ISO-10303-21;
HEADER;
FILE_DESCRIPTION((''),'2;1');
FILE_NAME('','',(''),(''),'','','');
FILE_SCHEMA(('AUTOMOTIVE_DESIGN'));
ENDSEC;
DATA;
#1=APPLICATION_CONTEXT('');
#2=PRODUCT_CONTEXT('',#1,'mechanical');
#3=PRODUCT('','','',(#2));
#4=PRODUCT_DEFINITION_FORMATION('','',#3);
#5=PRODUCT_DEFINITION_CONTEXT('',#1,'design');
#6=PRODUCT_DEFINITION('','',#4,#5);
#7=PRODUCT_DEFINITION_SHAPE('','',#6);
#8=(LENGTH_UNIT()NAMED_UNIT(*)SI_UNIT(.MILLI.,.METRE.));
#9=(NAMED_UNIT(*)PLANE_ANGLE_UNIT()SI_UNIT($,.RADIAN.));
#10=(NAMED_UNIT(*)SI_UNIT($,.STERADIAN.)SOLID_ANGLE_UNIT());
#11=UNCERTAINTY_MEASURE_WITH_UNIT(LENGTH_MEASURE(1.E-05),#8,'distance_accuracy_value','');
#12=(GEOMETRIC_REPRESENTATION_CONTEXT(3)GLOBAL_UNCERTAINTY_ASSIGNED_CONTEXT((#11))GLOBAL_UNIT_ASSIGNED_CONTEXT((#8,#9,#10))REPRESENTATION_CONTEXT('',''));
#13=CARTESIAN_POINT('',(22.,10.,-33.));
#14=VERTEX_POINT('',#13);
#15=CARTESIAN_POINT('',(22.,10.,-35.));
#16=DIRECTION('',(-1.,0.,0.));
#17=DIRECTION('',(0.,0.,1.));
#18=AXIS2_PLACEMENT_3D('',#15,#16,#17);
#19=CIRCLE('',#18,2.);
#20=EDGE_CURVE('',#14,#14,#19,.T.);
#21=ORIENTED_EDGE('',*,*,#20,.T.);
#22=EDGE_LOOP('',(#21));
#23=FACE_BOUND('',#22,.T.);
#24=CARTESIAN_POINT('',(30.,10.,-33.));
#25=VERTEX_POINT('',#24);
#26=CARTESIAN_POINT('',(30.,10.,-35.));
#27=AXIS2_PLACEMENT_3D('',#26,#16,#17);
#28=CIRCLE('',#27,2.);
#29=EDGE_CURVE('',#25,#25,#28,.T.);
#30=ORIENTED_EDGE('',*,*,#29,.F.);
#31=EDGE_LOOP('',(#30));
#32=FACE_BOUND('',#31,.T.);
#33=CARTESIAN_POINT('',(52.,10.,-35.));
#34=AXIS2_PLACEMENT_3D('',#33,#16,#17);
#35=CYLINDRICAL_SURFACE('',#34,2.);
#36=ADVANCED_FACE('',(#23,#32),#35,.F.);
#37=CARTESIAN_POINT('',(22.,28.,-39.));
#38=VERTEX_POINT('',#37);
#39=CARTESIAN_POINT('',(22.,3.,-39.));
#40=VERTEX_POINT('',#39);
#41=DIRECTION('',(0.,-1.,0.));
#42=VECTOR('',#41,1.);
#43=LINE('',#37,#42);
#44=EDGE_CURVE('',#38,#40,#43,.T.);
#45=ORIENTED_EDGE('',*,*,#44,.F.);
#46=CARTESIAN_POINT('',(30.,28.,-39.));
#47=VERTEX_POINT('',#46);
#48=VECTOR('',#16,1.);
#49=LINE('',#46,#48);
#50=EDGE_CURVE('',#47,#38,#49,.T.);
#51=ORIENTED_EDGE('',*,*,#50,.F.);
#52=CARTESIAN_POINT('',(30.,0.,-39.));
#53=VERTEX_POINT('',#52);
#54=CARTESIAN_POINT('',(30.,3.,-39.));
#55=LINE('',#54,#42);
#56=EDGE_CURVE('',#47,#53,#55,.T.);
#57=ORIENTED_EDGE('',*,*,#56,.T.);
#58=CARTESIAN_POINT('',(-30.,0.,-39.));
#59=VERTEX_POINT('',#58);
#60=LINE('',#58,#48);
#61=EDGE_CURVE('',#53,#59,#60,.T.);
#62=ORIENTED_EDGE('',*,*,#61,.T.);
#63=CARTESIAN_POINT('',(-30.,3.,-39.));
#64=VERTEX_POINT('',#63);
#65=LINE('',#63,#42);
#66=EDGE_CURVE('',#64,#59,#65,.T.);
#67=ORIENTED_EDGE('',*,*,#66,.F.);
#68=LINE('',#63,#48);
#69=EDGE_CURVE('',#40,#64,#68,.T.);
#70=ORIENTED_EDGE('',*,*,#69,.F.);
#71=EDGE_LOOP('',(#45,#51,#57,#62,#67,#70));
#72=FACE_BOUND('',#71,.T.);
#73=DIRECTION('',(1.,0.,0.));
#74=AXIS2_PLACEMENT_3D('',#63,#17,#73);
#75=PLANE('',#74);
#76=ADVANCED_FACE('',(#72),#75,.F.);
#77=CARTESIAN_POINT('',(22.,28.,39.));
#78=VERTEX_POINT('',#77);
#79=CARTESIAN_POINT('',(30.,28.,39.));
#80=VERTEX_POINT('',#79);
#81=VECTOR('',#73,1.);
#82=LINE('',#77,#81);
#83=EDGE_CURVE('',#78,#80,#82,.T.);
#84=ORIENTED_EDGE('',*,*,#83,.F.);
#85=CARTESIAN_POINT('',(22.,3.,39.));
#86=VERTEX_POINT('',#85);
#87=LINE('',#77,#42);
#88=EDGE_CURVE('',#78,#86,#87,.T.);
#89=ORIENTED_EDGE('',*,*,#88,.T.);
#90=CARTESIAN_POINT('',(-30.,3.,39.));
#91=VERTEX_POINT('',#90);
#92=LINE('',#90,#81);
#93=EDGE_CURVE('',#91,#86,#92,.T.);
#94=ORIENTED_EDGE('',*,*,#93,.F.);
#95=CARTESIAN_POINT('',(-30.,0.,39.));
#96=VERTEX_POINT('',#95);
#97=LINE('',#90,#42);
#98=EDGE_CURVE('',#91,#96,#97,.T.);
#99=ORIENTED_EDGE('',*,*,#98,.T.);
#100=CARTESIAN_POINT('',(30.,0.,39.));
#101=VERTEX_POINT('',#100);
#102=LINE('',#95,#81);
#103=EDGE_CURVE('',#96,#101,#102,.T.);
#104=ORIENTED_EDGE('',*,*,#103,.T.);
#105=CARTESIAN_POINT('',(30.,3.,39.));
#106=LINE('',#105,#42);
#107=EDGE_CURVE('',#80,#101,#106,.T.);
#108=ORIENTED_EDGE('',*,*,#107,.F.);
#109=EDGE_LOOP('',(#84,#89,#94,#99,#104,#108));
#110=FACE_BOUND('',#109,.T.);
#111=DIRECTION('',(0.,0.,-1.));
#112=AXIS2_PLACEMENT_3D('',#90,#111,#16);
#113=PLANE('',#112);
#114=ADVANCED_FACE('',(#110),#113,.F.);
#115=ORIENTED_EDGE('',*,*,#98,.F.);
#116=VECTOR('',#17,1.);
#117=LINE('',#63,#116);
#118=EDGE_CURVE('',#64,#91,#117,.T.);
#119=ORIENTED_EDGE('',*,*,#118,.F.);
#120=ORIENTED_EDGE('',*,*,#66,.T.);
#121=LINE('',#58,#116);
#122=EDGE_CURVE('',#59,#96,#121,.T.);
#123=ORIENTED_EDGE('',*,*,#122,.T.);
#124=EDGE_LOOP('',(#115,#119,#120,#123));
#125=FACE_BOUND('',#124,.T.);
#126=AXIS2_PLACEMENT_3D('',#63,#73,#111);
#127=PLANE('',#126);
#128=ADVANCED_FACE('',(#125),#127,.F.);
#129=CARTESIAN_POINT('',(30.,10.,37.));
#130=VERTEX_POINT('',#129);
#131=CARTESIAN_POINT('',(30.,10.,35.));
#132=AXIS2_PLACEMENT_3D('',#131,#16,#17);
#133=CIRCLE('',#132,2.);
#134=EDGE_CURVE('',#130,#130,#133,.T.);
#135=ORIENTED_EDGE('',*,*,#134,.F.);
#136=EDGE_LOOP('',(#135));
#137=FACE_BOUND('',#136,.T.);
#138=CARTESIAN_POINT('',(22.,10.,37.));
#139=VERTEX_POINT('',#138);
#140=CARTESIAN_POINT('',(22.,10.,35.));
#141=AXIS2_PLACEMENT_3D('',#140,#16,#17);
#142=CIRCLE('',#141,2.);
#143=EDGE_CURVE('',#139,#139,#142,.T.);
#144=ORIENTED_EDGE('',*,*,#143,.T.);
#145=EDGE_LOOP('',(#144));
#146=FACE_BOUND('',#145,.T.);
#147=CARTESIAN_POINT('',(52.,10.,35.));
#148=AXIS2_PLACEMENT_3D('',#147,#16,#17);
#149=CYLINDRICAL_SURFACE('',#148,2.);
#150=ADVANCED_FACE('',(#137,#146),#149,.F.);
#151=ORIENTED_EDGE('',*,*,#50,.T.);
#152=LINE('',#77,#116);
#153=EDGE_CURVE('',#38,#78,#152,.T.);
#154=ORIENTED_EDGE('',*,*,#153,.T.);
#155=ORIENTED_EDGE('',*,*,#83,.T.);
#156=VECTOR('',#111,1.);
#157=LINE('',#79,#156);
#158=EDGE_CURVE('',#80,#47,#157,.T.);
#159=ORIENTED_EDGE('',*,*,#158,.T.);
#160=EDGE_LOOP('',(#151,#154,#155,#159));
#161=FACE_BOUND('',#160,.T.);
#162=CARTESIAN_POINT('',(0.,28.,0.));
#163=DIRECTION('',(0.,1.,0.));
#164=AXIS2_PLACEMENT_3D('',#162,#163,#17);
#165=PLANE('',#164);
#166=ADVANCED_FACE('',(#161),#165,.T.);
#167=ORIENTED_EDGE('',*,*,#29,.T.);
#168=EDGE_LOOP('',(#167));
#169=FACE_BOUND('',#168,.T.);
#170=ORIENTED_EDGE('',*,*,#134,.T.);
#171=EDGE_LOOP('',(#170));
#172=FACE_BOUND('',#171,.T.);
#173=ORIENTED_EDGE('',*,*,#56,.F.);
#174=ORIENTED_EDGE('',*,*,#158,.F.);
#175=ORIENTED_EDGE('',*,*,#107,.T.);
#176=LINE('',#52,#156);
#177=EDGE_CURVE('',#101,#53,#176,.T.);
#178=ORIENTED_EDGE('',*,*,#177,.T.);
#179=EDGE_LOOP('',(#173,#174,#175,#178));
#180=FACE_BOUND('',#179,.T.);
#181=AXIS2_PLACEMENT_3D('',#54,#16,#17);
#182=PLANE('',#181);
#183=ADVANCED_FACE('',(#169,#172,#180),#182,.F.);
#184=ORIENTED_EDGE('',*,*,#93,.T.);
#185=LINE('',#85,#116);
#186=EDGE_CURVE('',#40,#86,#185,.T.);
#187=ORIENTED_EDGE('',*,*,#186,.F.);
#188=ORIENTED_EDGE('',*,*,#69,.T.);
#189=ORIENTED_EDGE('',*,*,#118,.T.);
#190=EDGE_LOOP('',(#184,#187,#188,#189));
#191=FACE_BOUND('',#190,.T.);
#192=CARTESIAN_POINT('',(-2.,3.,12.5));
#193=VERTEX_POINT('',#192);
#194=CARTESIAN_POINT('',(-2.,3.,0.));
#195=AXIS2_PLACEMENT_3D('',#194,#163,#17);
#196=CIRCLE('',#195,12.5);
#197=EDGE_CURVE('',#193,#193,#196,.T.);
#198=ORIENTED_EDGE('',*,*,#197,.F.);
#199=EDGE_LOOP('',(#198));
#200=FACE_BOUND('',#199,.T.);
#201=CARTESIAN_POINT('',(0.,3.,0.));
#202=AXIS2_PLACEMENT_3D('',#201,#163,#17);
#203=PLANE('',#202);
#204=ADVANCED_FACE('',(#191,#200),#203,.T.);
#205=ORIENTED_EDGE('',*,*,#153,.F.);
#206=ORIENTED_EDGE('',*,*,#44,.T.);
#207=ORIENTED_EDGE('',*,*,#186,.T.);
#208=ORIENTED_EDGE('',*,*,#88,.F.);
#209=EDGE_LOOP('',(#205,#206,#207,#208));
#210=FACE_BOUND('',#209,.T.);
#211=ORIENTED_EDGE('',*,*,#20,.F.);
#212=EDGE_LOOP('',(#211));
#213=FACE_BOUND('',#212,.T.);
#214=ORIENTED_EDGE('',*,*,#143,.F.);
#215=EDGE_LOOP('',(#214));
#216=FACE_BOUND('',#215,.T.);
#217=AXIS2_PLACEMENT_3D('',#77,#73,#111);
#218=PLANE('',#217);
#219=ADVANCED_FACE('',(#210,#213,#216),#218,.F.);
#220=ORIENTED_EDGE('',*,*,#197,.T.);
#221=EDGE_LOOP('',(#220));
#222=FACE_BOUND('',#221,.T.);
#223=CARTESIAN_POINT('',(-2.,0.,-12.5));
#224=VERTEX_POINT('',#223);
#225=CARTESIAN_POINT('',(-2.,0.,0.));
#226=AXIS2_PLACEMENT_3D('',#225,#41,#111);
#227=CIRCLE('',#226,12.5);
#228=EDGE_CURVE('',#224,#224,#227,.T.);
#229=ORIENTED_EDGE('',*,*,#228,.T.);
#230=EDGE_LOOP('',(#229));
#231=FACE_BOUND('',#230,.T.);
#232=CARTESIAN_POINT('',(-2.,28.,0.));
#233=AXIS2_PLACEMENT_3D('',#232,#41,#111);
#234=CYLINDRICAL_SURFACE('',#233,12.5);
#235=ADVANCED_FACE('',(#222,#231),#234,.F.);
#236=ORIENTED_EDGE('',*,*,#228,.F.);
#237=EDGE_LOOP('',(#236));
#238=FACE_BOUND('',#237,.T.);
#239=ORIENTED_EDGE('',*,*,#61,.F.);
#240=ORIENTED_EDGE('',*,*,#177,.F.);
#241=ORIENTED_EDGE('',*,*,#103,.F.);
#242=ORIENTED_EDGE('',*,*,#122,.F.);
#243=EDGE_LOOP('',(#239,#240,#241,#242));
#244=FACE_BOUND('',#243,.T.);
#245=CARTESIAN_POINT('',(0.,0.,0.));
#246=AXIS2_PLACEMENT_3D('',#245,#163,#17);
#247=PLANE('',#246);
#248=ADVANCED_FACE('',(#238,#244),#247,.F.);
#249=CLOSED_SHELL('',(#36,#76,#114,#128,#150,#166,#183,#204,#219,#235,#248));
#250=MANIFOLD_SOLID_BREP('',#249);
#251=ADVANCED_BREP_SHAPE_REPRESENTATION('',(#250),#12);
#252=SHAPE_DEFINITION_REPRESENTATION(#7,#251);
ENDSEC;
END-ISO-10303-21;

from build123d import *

# Parameters (mm, degrees)
SKETCH1_W           = 60
SKETCH1_H           = 78
BOSS_EXTRUDE1_DEPTH = 3
SKETCH2_W           = 8
SKETCH2_H           = 78
BOSS_EXTRUDE2_DEPTH = 25
SKETCH5_R           = 2
CUT_EXTRUDE2_DEPTH  = 30
SKETCH6_R           = 12.5
CUT_EXTRUDE3_DEPTH  = 29


with BuildPart() as part:
    # Sketch1 → Boss-Extrude1 (new body)
    with BuildSketch(Plane(origin=(0, 0, 0), x_dir=(1, 0, 0), z_dir=(0, 1, 0))):
        Rectangle(SKETCH1_W, SKETCH1_H)
    extrude(amount=BOSS_EXTRUDE1_DEPTH)

    # Sketch2 → Boss-Extrude2 (add)
    with BuildSketch(Plane(origin=(0, 3, 0), x_dir=(1, 0, 0), z_dir=(0, 1, 0))):
        with Locations((26, 0)):
            Rectangle(SKETCH2_W, SKETCH2_H)
    extrude(amount=BOSS_EXTRUDE2_DEPTH)

    # Sketch5 → Cut-Extrude2 (cut)
    with BuildSketch(Plane.ZY.offset(-22)):
        with Locations((35, 10)):
            Circle(SKETCH5_R)
        with Locations((-35, 10)):
            Circle(SKETCH5_R)
    extrude(amount=-CUT_EXTRUDE2_DEPTH, mode=Mode.SUBTRACT)

    # Sketch6 → Cut-Extrude3 (cut, through all)
    with BuildSketch(Plane(origin=(0, 0, 0), x_dir=(-1, 0, 0), z_dir=(0, -1, 0))):
        with Locations((2, 0)):
            Circle(SKETCH6_R)
    extrude(amount=-CUT_EXTRUDE3_DEPTH, mode=Mode.SUBTRACT)


solid = part.part
